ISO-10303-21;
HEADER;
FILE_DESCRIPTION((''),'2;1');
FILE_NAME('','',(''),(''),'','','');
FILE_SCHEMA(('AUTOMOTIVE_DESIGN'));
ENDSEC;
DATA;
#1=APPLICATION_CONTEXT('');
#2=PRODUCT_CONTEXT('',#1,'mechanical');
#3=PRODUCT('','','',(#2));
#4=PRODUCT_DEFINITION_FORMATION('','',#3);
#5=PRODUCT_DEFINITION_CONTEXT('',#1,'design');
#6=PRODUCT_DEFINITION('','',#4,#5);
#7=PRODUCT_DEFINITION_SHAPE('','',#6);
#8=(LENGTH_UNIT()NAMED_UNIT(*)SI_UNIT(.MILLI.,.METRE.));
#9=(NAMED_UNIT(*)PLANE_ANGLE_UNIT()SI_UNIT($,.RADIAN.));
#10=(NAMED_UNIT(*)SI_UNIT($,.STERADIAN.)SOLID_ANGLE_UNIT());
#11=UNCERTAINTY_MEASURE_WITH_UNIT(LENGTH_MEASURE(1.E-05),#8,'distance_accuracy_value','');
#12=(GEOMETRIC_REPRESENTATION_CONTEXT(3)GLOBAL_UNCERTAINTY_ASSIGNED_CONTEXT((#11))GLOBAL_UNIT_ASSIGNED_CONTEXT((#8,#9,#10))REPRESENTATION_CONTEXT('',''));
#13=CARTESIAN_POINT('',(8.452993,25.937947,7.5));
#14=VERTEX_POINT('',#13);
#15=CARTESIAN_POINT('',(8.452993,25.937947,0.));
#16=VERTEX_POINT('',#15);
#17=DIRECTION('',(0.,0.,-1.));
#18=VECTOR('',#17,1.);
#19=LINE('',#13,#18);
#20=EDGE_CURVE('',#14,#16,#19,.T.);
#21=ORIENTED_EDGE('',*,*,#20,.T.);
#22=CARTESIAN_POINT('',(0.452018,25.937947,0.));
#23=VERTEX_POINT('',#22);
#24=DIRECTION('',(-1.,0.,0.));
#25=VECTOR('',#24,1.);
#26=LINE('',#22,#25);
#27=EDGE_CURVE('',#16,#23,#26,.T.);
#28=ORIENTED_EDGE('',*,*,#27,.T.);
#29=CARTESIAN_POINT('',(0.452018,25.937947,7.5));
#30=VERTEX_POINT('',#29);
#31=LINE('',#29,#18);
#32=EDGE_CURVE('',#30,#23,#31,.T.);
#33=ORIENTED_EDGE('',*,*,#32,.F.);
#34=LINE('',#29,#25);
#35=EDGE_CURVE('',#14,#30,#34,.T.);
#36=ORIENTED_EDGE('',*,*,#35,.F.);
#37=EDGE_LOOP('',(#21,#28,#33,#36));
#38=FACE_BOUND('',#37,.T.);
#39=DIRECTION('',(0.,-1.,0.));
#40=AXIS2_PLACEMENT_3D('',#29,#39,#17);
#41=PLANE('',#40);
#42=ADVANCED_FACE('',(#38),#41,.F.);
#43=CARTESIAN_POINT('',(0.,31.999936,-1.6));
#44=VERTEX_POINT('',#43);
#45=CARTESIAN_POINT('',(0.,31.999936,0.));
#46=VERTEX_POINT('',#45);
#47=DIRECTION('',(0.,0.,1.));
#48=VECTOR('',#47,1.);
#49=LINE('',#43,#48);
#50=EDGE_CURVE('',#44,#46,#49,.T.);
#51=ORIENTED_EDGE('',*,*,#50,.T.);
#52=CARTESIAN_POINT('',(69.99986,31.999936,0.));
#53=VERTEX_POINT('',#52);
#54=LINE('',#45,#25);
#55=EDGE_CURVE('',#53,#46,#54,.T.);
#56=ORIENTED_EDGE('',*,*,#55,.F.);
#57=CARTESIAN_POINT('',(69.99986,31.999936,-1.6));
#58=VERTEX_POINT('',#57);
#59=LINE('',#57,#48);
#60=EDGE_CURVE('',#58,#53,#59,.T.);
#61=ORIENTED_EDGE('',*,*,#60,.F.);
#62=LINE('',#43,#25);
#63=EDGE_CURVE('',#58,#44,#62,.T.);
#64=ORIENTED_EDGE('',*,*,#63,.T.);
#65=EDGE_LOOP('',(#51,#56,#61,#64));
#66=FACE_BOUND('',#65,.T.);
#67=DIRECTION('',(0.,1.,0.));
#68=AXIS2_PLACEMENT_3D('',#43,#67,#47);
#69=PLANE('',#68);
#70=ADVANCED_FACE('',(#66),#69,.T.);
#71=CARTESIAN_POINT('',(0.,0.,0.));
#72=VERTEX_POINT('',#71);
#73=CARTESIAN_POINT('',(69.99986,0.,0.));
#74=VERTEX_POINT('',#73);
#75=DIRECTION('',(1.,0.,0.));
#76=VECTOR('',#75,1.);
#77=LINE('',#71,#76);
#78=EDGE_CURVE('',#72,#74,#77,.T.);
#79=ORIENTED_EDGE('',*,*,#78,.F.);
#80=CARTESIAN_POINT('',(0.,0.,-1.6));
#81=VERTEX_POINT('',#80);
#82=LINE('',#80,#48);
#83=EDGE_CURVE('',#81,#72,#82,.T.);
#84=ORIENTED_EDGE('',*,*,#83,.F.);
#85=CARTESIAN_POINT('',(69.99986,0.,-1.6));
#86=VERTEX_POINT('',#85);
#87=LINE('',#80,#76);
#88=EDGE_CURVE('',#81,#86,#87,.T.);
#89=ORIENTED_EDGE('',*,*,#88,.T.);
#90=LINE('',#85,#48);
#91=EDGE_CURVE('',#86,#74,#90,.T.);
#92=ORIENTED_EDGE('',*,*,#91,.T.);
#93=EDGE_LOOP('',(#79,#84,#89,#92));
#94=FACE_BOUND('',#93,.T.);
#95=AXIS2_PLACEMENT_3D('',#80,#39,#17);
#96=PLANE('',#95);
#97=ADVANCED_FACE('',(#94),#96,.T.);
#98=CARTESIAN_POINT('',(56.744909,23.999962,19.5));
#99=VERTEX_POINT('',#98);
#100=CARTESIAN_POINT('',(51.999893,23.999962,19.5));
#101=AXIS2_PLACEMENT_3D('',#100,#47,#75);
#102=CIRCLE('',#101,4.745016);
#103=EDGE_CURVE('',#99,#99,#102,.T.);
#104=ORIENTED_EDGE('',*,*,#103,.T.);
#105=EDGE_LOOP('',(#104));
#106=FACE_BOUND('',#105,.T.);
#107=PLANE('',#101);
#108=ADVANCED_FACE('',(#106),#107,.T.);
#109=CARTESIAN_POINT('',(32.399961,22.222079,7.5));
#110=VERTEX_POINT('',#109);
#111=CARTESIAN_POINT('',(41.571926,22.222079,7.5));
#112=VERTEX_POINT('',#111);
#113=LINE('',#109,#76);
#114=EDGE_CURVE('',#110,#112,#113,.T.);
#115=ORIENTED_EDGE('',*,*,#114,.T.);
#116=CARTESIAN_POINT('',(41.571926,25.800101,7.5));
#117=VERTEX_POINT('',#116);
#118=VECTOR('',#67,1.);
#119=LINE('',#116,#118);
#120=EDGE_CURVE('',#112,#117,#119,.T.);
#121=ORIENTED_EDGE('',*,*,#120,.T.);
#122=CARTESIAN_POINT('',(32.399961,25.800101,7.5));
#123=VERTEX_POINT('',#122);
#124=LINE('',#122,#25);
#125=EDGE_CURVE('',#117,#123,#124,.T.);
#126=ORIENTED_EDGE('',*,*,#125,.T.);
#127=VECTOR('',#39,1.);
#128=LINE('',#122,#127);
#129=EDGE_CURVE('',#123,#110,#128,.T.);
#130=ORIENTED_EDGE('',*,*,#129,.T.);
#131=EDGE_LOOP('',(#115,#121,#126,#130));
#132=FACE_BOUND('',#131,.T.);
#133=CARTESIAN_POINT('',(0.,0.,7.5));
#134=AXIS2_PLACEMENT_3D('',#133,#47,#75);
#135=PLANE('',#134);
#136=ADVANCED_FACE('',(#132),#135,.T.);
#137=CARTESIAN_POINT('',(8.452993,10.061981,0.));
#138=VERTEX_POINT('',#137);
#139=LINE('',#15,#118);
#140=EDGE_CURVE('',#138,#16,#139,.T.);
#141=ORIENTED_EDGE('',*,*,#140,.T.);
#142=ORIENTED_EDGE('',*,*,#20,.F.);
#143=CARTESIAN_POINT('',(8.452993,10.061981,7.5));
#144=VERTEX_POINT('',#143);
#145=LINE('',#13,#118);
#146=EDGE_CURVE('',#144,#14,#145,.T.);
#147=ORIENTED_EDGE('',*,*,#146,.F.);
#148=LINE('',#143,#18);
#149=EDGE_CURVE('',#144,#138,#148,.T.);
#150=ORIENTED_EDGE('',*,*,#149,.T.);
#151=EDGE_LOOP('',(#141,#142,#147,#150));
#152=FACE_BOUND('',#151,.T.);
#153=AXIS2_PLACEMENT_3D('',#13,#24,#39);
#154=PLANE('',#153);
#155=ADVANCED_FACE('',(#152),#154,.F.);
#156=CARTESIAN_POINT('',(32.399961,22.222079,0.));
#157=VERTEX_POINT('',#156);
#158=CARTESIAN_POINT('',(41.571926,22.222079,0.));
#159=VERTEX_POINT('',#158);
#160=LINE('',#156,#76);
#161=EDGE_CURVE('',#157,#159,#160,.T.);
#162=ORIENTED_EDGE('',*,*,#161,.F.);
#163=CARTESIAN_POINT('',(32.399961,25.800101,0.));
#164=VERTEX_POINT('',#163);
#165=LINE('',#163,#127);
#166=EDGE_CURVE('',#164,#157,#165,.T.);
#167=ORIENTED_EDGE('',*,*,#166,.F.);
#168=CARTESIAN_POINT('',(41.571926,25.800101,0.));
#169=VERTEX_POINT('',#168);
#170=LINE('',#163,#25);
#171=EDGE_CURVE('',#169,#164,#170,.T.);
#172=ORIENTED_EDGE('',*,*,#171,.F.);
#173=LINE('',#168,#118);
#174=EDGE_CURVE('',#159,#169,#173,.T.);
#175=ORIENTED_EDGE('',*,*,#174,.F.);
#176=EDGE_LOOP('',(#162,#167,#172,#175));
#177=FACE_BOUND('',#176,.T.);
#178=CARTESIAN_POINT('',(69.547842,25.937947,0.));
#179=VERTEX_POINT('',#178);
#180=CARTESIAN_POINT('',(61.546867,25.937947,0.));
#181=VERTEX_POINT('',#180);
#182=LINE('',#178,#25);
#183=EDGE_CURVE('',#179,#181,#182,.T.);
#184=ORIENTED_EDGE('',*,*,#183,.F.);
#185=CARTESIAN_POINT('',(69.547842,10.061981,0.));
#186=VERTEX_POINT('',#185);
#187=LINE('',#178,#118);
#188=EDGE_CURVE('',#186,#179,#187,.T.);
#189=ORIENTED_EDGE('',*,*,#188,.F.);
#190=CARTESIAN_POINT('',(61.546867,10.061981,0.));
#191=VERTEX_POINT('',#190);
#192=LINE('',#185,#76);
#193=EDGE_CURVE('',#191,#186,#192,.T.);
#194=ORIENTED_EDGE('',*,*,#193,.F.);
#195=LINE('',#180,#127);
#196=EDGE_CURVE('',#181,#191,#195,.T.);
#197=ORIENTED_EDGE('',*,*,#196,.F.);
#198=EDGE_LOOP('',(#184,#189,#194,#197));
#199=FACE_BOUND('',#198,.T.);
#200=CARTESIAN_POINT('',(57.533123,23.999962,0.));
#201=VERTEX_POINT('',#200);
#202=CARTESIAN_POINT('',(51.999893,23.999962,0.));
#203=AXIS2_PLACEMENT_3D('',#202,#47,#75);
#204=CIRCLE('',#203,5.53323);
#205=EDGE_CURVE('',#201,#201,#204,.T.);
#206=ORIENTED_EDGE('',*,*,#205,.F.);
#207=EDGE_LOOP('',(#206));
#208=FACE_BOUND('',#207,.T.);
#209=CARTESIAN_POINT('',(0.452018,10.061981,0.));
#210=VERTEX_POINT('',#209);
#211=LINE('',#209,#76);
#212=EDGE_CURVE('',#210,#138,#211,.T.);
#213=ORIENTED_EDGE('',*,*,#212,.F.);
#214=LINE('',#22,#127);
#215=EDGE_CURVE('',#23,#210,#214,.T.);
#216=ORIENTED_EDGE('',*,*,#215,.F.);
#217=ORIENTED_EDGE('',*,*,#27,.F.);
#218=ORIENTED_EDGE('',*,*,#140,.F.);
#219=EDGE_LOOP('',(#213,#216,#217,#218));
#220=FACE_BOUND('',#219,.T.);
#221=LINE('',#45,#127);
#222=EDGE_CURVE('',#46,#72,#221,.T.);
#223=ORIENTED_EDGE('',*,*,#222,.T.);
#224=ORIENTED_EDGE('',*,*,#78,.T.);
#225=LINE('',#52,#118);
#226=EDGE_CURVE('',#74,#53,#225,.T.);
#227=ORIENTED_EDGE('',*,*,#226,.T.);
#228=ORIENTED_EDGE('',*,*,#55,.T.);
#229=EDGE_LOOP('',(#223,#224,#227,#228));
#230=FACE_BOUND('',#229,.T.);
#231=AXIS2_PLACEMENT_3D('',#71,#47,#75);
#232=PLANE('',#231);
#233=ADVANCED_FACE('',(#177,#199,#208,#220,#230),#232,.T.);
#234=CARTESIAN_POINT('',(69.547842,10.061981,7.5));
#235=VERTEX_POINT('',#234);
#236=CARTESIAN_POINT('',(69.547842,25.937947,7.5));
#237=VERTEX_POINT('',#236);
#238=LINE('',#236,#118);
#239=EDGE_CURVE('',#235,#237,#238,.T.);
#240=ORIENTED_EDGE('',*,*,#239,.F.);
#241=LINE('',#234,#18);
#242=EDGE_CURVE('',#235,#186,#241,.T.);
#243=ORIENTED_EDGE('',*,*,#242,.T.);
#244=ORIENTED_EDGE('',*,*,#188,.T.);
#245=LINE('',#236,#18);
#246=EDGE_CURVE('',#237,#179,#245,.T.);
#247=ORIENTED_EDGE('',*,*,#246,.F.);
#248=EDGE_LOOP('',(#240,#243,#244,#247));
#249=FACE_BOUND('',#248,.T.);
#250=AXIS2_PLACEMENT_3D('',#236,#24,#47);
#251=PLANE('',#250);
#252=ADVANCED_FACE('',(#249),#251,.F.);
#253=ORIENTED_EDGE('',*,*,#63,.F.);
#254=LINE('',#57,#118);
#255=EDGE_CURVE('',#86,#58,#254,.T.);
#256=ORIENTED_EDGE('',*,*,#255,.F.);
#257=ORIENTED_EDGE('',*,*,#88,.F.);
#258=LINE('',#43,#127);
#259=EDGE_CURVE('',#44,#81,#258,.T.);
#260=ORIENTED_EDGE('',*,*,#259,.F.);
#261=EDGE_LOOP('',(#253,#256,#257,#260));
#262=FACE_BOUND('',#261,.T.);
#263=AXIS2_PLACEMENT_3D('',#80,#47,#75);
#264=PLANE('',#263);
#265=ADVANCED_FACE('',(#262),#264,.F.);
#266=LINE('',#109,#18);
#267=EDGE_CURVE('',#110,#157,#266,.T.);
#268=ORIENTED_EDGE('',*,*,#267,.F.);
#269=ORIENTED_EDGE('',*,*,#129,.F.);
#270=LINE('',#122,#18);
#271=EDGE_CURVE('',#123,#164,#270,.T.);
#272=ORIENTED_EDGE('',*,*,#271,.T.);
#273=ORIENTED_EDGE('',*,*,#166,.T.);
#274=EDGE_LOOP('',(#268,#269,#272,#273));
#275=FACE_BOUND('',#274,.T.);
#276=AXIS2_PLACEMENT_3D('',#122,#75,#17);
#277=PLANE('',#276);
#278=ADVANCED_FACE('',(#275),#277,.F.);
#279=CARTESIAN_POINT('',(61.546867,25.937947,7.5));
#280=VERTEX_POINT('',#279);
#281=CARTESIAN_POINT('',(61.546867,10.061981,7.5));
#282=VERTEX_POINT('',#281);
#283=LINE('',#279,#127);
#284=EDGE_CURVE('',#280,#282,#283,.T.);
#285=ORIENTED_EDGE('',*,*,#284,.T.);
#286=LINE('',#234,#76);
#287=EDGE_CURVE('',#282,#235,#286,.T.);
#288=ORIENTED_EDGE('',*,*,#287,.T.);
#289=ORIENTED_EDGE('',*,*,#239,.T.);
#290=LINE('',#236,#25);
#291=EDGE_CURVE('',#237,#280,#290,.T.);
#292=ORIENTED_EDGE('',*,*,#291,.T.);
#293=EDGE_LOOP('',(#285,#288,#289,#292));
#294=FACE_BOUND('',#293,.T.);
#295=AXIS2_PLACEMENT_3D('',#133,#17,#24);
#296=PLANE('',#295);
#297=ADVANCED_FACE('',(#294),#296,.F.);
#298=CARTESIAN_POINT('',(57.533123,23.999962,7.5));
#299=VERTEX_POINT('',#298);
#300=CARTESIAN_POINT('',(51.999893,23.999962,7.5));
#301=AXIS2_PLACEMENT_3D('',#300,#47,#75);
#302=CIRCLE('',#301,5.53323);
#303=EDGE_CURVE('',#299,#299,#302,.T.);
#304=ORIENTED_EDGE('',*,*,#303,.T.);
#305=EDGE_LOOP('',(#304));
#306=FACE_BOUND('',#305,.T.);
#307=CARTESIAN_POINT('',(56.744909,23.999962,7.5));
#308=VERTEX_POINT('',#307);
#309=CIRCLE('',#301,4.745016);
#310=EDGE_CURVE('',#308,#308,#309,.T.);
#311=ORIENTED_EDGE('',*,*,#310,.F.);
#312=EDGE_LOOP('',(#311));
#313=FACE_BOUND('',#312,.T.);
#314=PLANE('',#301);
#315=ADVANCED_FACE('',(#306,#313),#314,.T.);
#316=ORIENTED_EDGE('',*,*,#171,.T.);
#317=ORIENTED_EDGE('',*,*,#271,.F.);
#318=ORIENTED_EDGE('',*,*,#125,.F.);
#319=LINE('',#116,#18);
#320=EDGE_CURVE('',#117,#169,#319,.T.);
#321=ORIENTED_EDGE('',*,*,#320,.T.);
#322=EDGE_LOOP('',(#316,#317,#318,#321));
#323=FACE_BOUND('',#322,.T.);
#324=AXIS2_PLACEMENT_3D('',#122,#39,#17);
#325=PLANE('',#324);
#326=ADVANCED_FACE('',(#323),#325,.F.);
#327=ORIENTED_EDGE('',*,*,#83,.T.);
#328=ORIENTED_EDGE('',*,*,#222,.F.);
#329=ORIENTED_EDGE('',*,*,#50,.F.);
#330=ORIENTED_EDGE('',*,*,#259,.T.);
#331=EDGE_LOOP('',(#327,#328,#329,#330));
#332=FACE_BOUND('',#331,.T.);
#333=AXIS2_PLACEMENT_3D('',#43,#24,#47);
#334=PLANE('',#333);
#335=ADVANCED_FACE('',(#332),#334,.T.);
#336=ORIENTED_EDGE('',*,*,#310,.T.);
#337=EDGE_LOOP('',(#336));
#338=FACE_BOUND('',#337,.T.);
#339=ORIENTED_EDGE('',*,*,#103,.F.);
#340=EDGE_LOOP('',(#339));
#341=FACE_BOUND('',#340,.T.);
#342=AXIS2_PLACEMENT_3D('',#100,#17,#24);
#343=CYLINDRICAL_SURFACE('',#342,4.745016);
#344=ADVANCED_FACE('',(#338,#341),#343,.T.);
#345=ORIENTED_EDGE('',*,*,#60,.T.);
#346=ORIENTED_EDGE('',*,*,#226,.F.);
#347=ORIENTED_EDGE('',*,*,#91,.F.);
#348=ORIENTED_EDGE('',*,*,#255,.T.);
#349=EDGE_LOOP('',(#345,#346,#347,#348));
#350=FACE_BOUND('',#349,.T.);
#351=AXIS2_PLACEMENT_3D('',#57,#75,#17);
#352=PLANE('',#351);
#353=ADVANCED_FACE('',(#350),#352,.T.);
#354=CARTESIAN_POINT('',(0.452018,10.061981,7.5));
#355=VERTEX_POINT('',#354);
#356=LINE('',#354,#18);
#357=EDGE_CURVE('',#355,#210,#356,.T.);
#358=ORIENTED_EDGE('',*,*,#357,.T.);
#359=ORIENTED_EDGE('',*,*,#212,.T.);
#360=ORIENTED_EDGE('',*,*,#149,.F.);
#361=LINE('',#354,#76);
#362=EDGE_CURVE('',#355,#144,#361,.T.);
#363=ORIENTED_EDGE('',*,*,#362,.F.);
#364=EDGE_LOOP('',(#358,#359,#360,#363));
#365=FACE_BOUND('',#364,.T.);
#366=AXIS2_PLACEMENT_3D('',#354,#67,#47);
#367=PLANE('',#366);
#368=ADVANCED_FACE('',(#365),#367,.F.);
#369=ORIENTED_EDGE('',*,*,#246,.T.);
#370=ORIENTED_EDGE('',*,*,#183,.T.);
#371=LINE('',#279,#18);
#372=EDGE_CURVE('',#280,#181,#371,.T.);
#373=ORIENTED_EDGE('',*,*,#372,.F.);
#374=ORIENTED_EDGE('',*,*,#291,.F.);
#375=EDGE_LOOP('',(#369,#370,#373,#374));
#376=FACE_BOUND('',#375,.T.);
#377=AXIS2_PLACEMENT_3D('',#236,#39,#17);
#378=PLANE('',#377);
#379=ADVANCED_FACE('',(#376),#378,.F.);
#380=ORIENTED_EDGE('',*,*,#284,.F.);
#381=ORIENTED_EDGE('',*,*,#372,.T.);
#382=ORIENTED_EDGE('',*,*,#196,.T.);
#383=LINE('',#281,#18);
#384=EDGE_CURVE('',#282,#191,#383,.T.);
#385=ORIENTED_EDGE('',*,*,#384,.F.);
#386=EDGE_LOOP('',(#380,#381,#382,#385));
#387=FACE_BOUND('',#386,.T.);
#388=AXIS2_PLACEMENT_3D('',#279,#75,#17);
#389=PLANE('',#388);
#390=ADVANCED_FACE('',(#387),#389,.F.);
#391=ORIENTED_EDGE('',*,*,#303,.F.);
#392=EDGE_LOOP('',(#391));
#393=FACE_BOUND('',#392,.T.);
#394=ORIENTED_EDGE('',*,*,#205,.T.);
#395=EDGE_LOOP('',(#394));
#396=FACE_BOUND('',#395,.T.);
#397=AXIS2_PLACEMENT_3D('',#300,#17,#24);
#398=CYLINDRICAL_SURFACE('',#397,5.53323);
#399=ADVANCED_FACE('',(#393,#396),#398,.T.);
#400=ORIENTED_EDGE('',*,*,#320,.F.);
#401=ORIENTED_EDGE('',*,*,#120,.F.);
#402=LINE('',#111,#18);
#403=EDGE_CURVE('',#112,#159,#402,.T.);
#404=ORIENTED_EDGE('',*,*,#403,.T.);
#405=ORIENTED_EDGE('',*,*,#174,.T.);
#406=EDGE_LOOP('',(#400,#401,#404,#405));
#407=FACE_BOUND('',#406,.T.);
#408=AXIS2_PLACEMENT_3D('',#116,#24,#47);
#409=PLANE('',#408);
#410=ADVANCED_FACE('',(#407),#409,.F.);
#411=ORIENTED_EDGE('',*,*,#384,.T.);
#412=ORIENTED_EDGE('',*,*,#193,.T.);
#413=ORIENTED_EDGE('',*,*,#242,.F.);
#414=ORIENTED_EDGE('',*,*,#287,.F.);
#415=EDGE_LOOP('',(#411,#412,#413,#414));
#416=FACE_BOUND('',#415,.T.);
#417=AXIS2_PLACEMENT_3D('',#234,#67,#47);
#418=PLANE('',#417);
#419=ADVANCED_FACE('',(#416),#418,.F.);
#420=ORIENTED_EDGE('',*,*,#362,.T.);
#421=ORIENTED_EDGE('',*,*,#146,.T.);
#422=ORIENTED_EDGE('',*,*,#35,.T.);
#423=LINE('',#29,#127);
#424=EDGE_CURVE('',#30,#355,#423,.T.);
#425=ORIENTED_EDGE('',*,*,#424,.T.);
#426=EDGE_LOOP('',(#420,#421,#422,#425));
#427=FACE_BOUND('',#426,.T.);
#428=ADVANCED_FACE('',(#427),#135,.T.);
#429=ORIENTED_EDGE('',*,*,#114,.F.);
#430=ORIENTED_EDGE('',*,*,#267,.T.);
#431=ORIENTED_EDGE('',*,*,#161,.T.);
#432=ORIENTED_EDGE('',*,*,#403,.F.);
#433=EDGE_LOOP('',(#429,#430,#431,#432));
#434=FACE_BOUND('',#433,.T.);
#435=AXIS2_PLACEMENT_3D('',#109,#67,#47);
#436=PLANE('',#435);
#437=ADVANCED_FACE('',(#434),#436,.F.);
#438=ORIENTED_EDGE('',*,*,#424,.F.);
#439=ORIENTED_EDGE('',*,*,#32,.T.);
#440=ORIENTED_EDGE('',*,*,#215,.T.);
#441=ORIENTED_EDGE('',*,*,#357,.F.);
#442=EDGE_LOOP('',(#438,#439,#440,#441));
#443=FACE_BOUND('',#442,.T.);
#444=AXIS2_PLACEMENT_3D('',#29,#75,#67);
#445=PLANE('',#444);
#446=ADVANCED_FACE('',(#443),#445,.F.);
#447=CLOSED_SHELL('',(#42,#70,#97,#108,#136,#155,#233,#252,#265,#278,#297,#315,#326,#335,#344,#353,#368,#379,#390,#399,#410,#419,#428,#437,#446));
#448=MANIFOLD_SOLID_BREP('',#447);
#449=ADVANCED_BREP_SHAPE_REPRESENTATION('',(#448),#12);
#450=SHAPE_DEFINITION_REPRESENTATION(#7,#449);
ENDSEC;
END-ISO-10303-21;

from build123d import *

# Parameters (mm, degrees)
SKETCH2_W           = 69.99986
SKETCH2_H           = 31.999936
BOSS_EXTRUDE1_DEPTH = 1.6
SKETCH3_R           = 5.533230125
SKETCH3_W           = 8.0009746
SKETCH3_H           = 15.8759652
SKETCH3_W_2         = 9.1719654
SKETCH3_H_2         = 3.5780218
BOSS_EXTRUDE2_DEPTH = 7.5
SKETCH4_R           = 4.745015856
BOSS_EXTRUDE3_DEPTH = 12


with BuildPart() as part:
    # Sketch2 → Boss-Extrude1 (new body)
    with BuildSketch(Plane.XY):
        with Locations((34.99993, 15.999968)):
            Rectangle(SKETCH2_W, SKETCH2_H)
    extrude(amount=-BOSS_EXTRUDE1_DEPTH)

    # Sketch3 → Boss-Extrude2 (add)
    with BuildSketch(Plane.XY):
        with Locations((51.999892991, 23.999962155)):
            Circle(SKETCH3_R)
        with Locations((65.5473543, 17.999964)):
            Rectangle(SKETCH3_W, SKETCH3_H)
        with Locations((4.4525057, 17.999964)):
            Rectangle(SKETCH3_W, SKETCH3_H)
        with Locations((36.9859433, 24.0110899)):
            Rectangle(SKETCH3_W_2, SKETCH3_H_2)
    extrude(amount=BOSS_EXTRUDE2_DEPTH)

    # Sketch4 → Boss-Extrude3 (add)
    with BuildSketch(Plane.XY.offset(7.5)):
        with Locations((51.999892991, 23.999962155)):
            Circle(SKETCH4_R)
    extrude(amount=BOSS_EXTRUDE3_DEPTH)


solid = part.part
